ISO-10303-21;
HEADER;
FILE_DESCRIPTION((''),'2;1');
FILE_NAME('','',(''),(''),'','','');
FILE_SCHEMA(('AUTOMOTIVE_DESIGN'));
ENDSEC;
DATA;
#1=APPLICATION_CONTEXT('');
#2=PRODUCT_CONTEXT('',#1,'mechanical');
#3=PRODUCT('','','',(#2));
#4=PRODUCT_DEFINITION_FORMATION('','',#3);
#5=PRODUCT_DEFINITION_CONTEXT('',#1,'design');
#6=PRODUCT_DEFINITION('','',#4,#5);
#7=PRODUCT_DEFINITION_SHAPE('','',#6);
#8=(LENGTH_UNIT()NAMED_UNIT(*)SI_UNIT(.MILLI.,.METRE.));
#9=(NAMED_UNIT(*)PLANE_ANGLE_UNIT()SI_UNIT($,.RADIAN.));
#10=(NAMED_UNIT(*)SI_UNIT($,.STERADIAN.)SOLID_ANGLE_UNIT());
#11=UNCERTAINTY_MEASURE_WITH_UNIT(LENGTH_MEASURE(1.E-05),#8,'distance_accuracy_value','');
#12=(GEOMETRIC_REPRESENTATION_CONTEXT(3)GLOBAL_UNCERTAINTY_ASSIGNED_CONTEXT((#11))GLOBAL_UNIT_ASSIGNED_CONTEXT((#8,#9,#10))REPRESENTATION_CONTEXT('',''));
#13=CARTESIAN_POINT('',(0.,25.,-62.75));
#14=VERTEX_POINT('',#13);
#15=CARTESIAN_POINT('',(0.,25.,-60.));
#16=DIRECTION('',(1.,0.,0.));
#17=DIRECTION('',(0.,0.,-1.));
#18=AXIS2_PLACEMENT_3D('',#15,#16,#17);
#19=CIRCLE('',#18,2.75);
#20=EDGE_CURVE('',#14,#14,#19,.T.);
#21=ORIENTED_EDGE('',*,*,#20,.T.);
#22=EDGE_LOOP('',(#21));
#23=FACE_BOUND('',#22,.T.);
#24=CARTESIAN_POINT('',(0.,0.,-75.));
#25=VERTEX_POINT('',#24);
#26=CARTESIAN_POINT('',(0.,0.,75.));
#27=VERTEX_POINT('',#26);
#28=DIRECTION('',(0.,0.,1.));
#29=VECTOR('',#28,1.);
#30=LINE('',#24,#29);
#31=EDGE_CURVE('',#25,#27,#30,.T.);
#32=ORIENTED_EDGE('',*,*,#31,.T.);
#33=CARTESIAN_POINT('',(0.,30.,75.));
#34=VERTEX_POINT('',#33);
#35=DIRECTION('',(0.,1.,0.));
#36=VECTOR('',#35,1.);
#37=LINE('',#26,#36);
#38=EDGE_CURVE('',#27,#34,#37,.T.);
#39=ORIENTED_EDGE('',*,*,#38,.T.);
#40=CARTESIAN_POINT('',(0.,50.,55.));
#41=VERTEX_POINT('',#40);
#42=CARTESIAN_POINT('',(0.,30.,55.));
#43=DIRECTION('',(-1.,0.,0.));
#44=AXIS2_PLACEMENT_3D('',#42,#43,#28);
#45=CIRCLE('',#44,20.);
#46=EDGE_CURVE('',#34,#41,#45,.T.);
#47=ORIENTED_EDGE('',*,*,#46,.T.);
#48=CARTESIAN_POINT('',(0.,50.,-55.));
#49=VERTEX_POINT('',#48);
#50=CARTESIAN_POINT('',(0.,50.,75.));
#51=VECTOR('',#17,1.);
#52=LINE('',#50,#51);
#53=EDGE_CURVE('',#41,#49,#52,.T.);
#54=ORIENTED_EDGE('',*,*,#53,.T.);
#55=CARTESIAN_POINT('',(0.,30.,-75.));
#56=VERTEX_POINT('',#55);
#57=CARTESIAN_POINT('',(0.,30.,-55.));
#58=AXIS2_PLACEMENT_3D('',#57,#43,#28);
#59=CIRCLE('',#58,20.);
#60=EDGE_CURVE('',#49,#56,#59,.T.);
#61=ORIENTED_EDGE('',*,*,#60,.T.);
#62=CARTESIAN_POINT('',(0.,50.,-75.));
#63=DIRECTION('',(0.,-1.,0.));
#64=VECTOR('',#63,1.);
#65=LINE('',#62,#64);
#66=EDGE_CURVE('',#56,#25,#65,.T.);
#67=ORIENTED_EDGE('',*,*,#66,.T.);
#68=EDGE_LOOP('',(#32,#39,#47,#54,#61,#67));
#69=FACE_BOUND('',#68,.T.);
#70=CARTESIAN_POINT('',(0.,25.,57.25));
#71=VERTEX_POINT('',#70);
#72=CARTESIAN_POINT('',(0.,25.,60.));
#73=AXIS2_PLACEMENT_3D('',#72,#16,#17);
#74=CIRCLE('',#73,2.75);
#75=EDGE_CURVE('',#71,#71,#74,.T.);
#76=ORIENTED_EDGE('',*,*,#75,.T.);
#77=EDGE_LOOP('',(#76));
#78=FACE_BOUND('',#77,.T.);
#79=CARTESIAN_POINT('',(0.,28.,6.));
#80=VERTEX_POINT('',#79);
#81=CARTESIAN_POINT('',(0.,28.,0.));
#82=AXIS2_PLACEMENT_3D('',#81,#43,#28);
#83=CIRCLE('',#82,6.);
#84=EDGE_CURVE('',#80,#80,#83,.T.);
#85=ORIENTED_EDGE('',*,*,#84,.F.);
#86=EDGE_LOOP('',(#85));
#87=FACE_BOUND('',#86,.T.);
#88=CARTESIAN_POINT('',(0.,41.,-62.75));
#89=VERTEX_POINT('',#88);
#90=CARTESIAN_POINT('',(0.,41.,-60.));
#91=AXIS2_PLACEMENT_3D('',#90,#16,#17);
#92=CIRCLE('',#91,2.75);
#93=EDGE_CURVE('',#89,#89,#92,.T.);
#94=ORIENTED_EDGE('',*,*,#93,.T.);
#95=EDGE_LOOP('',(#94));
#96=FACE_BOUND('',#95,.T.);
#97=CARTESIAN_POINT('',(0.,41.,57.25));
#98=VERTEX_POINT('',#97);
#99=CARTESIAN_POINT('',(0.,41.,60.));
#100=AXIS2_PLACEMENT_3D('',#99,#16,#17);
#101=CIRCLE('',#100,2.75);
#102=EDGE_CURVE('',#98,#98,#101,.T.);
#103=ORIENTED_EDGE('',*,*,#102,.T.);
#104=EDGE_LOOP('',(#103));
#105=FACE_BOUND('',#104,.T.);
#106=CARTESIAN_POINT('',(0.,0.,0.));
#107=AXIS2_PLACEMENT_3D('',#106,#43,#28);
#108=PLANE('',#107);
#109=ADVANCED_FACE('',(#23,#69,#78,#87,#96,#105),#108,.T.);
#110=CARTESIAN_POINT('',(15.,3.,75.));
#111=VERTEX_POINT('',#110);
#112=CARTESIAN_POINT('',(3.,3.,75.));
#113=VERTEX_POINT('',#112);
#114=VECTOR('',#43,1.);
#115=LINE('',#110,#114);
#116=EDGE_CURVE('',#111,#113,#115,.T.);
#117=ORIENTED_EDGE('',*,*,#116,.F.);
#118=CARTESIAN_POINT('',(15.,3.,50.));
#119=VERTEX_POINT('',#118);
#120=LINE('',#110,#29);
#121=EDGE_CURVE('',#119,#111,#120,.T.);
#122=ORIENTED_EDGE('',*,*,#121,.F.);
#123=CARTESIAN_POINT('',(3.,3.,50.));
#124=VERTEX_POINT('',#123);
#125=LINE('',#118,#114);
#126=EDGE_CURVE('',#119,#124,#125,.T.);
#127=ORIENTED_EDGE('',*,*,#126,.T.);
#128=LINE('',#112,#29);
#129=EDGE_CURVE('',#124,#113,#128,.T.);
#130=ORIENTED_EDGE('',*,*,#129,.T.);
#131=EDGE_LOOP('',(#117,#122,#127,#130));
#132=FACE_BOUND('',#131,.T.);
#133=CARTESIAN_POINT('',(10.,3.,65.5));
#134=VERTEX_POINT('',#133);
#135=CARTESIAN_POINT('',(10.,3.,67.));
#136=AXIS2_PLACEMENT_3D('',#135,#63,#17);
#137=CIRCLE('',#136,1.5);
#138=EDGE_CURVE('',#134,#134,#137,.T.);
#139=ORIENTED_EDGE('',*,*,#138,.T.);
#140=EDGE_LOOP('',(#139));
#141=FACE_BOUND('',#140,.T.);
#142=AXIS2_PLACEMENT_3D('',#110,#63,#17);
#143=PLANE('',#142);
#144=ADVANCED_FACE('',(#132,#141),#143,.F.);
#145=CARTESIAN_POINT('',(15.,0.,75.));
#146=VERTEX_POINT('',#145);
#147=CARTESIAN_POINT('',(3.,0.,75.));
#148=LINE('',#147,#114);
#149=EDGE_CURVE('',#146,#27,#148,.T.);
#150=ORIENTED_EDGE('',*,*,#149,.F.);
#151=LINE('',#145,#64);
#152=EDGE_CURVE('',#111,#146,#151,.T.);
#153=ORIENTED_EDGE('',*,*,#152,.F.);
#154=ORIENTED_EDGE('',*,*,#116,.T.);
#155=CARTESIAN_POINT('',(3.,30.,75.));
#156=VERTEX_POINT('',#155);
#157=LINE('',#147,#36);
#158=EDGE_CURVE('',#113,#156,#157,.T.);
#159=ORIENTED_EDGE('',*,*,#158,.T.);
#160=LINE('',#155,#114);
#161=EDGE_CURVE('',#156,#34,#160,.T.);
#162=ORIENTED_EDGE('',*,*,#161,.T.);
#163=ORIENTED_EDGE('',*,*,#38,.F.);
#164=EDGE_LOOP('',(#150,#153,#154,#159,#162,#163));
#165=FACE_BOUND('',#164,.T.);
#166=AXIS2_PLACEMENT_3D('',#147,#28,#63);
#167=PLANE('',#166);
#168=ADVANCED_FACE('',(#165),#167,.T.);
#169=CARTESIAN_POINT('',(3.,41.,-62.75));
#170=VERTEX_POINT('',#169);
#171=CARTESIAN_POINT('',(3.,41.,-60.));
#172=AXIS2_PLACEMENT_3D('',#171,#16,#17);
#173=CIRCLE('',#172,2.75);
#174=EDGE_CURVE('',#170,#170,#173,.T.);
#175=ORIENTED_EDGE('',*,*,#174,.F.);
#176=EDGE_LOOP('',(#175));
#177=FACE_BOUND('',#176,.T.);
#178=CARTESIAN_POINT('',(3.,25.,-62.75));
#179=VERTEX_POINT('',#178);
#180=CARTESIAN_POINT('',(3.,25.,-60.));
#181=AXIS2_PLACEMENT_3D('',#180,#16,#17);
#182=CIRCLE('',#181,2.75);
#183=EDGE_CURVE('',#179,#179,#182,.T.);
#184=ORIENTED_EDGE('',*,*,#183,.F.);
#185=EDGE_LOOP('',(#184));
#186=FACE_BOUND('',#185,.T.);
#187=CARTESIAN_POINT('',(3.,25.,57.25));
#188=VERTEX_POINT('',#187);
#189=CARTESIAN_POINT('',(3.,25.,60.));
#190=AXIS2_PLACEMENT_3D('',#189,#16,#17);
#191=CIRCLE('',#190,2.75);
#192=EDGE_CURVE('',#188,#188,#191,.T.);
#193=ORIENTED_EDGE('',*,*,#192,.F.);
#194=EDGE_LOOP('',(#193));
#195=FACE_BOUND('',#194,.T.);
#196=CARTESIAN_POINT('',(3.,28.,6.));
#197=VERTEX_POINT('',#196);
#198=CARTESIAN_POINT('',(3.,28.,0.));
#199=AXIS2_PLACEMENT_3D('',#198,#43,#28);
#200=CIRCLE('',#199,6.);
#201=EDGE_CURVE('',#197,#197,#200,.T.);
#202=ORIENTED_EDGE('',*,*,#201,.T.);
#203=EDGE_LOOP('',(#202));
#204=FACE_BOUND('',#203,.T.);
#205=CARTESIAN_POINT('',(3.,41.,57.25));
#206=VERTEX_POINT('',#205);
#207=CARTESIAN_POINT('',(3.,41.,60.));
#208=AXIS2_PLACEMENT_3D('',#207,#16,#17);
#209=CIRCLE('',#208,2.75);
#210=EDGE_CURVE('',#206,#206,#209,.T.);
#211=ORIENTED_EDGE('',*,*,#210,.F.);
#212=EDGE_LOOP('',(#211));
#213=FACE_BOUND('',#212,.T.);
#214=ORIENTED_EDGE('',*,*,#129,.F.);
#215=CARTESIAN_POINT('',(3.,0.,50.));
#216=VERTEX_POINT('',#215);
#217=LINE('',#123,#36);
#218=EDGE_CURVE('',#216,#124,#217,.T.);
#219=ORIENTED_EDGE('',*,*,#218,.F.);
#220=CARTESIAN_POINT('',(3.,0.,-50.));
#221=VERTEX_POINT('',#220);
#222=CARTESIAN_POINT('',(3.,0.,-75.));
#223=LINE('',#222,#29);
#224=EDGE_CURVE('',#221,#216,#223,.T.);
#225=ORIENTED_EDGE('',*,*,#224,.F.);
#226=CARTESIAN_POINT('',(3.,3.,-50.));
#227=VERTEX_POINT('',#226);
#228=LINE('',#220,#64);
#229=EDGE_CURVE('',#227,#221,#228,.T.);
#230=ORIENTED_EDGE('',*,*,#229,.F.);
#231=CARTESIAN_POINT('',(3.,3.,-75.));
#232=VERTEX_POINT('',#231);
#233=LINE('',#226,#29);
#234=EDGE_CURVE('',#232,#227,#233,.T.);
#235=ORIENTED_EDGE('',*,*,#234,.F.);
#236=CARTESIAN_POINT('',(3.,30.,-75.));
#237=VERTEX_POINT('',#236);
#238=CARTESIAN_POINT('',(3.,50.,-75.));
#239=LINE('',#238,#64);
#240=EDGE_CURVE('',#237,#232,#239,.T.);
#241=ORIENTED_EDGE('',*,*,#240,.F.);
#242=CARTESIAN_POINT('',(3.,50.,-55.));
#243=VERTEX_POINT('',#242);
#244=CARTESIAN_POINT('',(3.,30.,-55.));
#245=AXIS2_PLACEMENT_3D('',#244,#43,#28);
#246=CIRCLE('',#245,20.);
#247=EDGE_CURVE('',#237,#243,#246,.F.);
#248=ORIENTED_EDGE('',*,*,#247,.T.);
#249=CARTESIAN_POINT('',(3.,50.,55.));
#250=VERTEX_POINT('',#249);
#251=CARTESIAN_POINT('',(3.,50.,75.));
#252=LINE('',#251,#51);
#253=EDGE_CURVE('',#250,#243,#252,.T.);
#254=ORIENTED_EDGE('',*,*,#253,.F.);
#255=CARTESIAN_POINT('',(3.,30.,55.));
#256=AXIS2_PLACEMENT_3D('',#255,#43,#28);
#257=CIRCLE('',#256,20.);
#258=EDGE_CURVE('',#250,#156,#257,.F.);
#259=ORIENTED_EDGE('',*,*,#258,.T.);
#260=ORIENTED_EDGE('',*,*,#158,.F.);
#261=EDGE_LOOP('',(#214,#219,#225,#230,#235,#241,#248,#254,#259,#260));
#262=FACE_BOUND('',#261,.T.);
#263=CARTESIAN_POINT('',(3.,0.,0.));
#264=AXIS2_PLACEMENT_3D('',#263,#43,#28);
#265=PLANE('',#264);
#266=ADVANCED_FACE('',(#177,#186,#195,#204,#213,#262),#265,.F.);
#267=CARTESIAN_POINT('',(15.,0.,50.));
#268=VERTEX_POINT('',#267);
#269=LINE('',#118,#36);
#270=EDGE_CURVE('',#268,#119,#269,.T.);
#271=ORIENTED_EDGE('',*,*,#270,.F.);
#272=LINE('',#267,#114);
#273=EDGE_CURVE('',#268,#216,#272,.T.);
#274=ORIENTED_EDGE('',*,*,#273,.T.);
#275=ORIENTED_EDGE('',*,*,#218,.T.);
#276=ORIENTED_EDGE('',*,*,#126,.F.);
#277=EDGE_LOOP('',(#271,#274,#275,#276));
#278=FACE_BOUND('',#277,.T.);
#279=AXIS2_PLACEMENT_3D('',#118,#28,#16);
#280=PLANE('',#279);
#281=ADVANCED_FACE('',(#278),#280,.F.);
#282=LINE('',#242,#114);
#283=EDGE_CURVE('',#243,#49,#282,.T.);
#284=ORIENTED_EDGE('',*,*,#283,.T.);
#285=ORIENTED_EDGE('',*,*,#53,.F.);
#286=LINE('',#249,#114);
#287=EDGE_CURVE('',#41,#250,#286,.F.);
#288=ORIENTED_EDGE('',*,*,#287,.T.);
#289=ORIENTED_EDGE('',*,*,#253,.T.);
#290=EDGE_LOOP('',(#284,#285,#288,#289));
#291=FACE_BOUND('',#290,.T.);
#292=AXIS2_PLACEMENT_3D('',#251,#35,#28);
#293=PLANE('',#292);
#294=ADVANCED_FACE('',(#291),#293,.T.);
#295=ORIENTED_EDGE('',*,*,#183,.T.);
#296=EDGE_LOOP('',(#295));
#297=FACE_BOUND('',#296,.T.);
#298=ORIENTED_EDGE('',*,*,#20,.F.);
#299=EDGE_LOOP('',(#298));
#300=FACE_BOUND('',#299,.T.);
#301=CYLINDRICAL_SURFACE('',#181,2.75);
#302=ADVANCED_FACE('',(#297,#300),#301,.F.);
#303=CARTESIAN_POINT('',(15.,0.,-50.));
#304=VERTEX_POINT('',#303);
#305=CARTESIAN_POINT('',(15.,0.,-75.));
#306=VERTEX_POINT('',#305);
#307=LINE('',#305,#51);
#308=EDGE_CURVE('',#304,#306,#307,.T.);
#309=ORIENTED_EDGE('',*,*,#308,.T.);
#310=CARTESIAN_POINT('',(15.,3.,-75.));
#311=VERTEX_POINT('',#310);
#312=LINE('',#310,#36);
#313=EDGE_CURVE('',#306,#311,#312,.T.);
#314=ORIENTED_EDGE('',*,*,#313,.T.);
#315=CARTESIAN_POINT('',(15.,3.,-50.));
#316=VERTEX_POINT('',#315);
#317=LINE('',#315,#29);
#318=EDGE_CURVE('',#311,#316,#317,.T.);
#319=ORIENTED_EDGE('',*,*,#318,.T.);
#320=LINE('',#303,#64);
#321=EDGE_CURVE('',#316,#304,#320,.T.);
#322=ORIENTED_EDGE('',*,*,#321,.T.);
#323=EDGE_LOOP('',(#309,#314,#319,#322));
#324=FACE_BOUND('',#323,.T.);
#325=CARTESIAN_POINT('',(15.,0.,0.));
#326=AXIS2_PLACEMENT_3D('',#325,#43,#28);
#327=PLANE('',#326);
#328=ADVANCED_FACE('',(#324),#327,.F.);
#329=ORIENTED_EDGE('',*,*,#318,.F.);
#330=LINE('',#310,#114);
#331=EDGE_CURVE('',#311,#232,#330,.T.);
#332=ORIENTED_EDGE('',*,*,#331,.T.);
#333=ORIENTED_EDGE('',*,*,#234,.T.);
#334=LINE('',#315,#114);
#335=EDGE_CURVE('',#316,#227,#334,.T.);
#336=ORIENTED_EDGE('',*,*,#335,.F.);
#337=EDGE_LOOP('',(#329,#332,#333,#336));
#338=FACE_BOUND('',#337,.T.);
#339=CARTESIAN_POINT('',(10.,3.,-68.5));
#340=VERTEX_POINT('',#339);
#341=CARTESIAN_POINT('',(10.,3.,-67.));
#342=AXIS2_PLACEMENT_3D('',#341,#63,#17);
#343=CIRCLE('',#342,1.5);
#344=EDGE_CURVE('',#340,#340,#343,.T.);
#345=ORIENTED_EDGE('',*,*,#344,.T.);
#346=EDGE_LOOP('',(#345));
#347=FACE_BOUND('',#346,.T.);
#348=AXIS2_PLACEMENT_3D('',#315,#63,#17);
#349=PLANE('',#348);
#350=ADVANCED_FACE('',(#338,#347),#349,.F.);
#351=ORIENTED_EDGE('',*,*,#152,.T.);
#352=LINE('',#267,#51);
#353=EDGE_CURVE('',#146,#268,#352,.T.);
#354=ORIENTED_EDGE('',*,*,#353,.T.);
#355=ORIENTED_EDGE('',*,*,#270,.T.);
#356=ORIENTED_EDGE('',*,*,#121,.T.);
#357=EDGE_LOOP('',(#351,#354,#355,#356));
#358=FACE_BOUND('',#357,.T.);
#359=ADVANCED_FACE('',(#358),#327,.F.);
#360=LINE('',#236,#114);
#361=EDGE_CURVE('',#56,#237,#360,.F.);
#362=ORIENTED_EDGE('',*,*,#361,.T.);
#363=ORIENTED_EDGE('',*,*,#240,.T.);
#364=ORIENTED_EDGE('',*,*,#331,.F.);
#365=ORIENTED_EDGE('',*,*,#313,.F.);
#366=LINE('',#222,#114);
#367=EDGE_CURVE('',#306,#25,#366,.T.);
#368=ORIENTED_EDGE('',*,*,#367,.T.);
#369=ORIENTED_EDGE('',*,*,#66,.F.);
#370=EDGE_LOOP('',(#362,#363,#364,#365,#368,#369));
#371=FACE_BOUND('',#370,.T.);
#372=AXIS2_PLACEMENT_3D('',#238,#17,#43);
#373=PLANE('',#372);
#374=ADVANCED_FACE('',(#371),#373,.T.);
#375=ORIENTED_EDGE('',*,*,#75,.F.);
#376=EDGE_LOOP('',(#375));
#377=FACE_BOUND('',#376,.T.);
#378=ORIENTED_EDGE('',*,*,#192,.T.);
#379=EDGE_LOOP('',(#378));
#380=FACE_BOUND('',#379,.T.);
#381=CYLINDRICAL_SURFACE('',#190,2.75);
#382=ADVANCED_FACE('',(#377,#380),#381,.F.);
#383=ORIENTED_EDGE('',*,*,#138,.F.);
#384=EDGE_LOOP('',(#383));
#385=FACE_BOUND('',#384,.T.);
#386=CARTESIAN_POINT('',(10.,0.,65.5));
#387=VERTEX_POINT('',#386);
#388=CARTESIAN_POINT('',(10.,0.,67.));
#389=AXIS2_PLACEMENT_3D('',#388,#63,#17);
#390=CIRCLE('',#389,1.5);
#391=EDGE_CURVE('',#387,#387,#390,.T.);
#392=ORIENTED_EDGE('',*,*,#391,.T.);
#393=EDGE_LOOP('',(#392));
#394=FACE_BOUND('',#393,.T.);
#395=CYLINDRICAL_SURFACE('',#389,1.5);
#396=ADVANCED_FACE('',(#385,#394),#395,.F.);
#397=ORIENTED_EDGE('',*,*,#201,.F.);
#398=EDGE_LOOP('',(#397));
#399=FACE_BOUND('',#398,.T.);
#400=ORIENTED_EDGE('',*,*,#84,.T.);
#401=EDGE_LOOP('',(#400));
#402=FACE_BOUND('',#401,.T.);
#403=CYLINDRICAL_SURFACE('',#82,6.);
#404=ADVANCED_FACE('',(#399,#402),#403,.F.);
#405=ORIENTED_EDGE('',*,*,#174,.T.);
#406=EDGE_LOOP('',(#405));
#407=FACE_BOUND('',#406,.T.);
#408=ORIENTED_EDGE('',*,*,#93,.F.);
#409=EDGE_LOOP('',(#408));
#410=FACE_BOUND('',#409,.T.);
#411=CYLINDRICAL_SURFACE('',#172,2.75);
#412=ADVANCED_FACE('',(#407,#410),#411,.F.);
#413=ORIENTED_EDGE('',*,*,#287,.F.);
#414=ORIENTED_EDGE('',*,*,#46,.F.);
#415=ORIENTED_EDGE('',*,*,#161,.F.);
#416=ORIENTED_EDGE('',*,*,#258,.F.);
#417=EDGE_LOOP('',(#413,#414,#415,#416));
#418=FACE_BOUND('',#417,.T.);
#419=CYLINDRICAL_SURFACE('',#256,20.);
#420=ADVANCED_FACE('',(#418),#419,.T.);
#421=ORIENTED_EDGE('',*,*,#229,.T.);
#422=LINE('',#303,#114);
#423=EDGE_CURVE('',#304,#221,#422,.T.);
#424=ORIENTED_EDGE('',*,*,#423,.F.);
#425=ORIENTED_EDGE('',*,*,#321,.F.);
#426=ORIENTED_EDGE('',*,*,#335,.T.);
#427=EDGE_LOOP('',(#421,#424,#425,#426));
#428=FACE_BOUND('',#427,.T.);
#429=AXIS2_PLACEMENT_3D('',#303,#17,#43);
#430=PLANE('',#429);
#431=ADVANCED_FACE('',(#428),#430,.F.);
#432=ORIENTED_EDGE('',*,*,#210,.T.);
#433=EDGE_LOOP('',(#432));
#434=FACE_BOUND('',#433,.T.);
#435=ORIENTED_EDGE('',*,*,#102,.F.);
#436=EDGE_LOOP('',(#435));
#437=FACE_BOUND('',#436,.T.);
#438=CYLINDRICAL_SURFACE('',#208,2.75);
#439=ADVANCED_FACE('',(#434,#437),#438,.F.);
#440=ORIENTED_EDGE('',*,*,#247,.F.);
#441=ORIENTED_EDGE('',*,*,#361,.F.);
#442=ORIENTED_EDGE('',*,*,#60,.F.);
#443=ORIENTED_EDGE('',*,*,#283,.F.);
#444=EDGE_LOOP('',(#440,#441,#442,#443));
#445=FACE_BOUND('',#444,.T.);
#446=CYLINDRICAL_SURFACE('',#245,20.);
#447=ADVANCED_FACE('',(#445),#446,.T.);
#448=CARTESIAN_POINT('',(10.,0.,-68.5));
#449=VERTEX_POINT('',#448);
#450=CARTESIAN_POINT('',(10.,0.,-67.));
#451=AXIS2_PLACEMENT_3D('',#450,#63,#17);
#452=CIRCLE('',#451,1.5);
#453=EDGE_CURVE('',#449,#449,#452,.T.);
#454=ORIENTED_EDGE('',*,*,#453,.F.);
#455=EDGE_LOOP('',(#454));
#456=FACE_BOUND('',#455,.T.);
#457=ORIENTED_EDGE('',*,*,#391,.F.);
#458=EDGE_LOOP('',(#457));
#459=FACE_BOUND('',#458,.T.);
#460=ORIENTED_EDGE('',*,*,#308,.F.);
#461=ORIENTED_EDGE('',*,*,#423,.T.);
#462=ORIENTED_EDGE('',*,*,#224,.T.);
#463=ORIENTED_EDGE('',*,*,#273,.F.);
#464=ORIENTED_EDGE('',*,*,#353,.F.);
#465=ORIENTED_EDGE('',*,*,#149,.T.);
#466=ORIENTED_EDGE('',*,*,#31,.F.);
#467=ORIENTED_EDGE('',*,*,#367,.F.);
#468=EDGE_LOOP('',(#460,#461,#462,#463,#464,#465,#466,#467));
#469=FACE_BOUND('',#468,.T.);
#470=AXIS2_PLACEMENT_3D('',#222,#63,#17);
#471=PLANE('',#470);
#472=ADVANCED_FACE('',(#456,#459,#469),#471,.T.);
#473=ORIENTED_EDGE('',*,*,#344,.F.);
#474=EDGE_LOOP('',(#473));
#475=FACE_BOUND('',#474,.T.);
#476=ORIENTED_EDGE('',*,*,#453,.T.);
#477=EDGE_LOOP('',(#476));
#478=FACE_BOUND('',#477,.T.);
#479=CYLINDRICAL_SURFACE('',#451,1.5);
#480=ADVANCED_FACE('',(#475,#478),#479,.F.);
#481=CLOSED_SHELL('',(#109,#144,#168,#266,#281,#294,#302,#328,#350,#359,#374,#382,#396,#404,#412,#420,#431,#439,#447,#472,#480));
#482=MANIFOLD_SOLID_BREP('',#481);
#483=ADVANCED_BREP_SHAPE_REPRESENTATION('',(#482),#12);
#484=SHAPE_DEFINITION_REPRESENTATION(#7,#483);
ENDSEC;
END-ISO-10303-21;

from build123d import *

# Parameters (mm, degrees)
SKETCH_1_W                  = 50
SKETCH_1_H                  = 150
EXTRUDE_1_DEPTH             = 3
SKETCH_2_W                  = 25
SKETCH_2_H                  = 3
EXTRUDE_2_DEPTH             = 12
SKETCH_3_W                  = 25
SKETCH_3_H                  = 3
EXTRUDE_3_DEPTH             = 12
HOLE_WIZARD_3_0_3_1_D       = 3
HOLE_WIZARD_3_0_3_1_DEPTH   = 50.000025
HOLE_WIZARD_5_5_5_5_1_D     = 5.5
HOLE_WIZARD_12_0_12_1_D     = 12
HOLE_WIZARD_12_0_12_1_DEPTH = 15.000025
FILLET_1_R                  = 20


with BuildPart() as part:
    # ｽｹｯﾁ1 → ﾎﾞｽ - 押し出し1 (new body)
    with BuildSketch(Plane(origin=(0, 0, 0), x_dir=(0, -1, 0), z_dir=(-1, 0, 0))):
        with Locations((-25, 0)):
            Rectangle(SKETCH_1_W, SKETCH_1_H)
    extrude(amount=-EXTRUDE_1_DEPTH)

    # ｽｹｯﾁ2 → ﾎﾞｽ - 押し出し2 (add)
    with BuildSketch(Plane(origin=(3, 0, 0), x_dir=(0, 0, -1), z_dir=(1, 0, 0))):
        with Locations((-62.5, 1.5)):
            Rectangle(SKETCH_2_W, SKETCH_2_H)
    extrude(amount=EXTRUDE_2_DEPTH)

    # ｽｹｯﾁ3 → ﾎﾞｽ - 押し出し3 (add)
    with BuildSketch(Plane(origin=(3, 0, 0), x_dir=(0, 0, -1), z_dir=(1, 0, 0))):
        with Locations((62.5, 1.5)):
            Rectangle(SKETCH_3_W, SKETCH_3_H)
    extrude(amount=EXTRUDE_3_DEPTH)

    # Ø3.0 (3) 直径の穴1
    with Locations(Plane(origin=(0, 0, 0), x_dir=(-1, 0, 0), z_dir=(0, -1, 0))):
        with Locations((-10, -67), (-10, 67)):
            Hole(HOLE_WIZARD_3_0_3_1_D / 2, depth=HOLE_WIZARD_3_0_3_1_DEPTH)

    # Ø5.5 (5.5) 直径の穴1 (through all)
    with Locations(Plane(origin=(3, 0, 0), x_dir=(0, 0, -1), z_dir=(1, 0, 0))):
        with Locations((60, 41), (-60, 41), (-60, 25), (60, 25)):
            Hole(HOLE_WIZARD_5_5_5_5_1_D / 2)

    # Ø12.0 (12) 直径の穴1
    with Locations(Plane.ZY):
        with Locations((0, 28)):
            Hole(HOLE_WIZARD_12_0_12_1_D / 2, depth=HOLE_WIZARD_12_0_12_1_DEPTH)

    # ﾌｨﾚｯﾄ1
    fillet_1_edges = [part.edges().sort_by_distance(p)[0] for p in [
        (1.5, 50, -75),
        (1.5, 50, 75),
    ]]
    fillet(fillet_1_edges, radius=FILLET_1_R)


solid = part.part
